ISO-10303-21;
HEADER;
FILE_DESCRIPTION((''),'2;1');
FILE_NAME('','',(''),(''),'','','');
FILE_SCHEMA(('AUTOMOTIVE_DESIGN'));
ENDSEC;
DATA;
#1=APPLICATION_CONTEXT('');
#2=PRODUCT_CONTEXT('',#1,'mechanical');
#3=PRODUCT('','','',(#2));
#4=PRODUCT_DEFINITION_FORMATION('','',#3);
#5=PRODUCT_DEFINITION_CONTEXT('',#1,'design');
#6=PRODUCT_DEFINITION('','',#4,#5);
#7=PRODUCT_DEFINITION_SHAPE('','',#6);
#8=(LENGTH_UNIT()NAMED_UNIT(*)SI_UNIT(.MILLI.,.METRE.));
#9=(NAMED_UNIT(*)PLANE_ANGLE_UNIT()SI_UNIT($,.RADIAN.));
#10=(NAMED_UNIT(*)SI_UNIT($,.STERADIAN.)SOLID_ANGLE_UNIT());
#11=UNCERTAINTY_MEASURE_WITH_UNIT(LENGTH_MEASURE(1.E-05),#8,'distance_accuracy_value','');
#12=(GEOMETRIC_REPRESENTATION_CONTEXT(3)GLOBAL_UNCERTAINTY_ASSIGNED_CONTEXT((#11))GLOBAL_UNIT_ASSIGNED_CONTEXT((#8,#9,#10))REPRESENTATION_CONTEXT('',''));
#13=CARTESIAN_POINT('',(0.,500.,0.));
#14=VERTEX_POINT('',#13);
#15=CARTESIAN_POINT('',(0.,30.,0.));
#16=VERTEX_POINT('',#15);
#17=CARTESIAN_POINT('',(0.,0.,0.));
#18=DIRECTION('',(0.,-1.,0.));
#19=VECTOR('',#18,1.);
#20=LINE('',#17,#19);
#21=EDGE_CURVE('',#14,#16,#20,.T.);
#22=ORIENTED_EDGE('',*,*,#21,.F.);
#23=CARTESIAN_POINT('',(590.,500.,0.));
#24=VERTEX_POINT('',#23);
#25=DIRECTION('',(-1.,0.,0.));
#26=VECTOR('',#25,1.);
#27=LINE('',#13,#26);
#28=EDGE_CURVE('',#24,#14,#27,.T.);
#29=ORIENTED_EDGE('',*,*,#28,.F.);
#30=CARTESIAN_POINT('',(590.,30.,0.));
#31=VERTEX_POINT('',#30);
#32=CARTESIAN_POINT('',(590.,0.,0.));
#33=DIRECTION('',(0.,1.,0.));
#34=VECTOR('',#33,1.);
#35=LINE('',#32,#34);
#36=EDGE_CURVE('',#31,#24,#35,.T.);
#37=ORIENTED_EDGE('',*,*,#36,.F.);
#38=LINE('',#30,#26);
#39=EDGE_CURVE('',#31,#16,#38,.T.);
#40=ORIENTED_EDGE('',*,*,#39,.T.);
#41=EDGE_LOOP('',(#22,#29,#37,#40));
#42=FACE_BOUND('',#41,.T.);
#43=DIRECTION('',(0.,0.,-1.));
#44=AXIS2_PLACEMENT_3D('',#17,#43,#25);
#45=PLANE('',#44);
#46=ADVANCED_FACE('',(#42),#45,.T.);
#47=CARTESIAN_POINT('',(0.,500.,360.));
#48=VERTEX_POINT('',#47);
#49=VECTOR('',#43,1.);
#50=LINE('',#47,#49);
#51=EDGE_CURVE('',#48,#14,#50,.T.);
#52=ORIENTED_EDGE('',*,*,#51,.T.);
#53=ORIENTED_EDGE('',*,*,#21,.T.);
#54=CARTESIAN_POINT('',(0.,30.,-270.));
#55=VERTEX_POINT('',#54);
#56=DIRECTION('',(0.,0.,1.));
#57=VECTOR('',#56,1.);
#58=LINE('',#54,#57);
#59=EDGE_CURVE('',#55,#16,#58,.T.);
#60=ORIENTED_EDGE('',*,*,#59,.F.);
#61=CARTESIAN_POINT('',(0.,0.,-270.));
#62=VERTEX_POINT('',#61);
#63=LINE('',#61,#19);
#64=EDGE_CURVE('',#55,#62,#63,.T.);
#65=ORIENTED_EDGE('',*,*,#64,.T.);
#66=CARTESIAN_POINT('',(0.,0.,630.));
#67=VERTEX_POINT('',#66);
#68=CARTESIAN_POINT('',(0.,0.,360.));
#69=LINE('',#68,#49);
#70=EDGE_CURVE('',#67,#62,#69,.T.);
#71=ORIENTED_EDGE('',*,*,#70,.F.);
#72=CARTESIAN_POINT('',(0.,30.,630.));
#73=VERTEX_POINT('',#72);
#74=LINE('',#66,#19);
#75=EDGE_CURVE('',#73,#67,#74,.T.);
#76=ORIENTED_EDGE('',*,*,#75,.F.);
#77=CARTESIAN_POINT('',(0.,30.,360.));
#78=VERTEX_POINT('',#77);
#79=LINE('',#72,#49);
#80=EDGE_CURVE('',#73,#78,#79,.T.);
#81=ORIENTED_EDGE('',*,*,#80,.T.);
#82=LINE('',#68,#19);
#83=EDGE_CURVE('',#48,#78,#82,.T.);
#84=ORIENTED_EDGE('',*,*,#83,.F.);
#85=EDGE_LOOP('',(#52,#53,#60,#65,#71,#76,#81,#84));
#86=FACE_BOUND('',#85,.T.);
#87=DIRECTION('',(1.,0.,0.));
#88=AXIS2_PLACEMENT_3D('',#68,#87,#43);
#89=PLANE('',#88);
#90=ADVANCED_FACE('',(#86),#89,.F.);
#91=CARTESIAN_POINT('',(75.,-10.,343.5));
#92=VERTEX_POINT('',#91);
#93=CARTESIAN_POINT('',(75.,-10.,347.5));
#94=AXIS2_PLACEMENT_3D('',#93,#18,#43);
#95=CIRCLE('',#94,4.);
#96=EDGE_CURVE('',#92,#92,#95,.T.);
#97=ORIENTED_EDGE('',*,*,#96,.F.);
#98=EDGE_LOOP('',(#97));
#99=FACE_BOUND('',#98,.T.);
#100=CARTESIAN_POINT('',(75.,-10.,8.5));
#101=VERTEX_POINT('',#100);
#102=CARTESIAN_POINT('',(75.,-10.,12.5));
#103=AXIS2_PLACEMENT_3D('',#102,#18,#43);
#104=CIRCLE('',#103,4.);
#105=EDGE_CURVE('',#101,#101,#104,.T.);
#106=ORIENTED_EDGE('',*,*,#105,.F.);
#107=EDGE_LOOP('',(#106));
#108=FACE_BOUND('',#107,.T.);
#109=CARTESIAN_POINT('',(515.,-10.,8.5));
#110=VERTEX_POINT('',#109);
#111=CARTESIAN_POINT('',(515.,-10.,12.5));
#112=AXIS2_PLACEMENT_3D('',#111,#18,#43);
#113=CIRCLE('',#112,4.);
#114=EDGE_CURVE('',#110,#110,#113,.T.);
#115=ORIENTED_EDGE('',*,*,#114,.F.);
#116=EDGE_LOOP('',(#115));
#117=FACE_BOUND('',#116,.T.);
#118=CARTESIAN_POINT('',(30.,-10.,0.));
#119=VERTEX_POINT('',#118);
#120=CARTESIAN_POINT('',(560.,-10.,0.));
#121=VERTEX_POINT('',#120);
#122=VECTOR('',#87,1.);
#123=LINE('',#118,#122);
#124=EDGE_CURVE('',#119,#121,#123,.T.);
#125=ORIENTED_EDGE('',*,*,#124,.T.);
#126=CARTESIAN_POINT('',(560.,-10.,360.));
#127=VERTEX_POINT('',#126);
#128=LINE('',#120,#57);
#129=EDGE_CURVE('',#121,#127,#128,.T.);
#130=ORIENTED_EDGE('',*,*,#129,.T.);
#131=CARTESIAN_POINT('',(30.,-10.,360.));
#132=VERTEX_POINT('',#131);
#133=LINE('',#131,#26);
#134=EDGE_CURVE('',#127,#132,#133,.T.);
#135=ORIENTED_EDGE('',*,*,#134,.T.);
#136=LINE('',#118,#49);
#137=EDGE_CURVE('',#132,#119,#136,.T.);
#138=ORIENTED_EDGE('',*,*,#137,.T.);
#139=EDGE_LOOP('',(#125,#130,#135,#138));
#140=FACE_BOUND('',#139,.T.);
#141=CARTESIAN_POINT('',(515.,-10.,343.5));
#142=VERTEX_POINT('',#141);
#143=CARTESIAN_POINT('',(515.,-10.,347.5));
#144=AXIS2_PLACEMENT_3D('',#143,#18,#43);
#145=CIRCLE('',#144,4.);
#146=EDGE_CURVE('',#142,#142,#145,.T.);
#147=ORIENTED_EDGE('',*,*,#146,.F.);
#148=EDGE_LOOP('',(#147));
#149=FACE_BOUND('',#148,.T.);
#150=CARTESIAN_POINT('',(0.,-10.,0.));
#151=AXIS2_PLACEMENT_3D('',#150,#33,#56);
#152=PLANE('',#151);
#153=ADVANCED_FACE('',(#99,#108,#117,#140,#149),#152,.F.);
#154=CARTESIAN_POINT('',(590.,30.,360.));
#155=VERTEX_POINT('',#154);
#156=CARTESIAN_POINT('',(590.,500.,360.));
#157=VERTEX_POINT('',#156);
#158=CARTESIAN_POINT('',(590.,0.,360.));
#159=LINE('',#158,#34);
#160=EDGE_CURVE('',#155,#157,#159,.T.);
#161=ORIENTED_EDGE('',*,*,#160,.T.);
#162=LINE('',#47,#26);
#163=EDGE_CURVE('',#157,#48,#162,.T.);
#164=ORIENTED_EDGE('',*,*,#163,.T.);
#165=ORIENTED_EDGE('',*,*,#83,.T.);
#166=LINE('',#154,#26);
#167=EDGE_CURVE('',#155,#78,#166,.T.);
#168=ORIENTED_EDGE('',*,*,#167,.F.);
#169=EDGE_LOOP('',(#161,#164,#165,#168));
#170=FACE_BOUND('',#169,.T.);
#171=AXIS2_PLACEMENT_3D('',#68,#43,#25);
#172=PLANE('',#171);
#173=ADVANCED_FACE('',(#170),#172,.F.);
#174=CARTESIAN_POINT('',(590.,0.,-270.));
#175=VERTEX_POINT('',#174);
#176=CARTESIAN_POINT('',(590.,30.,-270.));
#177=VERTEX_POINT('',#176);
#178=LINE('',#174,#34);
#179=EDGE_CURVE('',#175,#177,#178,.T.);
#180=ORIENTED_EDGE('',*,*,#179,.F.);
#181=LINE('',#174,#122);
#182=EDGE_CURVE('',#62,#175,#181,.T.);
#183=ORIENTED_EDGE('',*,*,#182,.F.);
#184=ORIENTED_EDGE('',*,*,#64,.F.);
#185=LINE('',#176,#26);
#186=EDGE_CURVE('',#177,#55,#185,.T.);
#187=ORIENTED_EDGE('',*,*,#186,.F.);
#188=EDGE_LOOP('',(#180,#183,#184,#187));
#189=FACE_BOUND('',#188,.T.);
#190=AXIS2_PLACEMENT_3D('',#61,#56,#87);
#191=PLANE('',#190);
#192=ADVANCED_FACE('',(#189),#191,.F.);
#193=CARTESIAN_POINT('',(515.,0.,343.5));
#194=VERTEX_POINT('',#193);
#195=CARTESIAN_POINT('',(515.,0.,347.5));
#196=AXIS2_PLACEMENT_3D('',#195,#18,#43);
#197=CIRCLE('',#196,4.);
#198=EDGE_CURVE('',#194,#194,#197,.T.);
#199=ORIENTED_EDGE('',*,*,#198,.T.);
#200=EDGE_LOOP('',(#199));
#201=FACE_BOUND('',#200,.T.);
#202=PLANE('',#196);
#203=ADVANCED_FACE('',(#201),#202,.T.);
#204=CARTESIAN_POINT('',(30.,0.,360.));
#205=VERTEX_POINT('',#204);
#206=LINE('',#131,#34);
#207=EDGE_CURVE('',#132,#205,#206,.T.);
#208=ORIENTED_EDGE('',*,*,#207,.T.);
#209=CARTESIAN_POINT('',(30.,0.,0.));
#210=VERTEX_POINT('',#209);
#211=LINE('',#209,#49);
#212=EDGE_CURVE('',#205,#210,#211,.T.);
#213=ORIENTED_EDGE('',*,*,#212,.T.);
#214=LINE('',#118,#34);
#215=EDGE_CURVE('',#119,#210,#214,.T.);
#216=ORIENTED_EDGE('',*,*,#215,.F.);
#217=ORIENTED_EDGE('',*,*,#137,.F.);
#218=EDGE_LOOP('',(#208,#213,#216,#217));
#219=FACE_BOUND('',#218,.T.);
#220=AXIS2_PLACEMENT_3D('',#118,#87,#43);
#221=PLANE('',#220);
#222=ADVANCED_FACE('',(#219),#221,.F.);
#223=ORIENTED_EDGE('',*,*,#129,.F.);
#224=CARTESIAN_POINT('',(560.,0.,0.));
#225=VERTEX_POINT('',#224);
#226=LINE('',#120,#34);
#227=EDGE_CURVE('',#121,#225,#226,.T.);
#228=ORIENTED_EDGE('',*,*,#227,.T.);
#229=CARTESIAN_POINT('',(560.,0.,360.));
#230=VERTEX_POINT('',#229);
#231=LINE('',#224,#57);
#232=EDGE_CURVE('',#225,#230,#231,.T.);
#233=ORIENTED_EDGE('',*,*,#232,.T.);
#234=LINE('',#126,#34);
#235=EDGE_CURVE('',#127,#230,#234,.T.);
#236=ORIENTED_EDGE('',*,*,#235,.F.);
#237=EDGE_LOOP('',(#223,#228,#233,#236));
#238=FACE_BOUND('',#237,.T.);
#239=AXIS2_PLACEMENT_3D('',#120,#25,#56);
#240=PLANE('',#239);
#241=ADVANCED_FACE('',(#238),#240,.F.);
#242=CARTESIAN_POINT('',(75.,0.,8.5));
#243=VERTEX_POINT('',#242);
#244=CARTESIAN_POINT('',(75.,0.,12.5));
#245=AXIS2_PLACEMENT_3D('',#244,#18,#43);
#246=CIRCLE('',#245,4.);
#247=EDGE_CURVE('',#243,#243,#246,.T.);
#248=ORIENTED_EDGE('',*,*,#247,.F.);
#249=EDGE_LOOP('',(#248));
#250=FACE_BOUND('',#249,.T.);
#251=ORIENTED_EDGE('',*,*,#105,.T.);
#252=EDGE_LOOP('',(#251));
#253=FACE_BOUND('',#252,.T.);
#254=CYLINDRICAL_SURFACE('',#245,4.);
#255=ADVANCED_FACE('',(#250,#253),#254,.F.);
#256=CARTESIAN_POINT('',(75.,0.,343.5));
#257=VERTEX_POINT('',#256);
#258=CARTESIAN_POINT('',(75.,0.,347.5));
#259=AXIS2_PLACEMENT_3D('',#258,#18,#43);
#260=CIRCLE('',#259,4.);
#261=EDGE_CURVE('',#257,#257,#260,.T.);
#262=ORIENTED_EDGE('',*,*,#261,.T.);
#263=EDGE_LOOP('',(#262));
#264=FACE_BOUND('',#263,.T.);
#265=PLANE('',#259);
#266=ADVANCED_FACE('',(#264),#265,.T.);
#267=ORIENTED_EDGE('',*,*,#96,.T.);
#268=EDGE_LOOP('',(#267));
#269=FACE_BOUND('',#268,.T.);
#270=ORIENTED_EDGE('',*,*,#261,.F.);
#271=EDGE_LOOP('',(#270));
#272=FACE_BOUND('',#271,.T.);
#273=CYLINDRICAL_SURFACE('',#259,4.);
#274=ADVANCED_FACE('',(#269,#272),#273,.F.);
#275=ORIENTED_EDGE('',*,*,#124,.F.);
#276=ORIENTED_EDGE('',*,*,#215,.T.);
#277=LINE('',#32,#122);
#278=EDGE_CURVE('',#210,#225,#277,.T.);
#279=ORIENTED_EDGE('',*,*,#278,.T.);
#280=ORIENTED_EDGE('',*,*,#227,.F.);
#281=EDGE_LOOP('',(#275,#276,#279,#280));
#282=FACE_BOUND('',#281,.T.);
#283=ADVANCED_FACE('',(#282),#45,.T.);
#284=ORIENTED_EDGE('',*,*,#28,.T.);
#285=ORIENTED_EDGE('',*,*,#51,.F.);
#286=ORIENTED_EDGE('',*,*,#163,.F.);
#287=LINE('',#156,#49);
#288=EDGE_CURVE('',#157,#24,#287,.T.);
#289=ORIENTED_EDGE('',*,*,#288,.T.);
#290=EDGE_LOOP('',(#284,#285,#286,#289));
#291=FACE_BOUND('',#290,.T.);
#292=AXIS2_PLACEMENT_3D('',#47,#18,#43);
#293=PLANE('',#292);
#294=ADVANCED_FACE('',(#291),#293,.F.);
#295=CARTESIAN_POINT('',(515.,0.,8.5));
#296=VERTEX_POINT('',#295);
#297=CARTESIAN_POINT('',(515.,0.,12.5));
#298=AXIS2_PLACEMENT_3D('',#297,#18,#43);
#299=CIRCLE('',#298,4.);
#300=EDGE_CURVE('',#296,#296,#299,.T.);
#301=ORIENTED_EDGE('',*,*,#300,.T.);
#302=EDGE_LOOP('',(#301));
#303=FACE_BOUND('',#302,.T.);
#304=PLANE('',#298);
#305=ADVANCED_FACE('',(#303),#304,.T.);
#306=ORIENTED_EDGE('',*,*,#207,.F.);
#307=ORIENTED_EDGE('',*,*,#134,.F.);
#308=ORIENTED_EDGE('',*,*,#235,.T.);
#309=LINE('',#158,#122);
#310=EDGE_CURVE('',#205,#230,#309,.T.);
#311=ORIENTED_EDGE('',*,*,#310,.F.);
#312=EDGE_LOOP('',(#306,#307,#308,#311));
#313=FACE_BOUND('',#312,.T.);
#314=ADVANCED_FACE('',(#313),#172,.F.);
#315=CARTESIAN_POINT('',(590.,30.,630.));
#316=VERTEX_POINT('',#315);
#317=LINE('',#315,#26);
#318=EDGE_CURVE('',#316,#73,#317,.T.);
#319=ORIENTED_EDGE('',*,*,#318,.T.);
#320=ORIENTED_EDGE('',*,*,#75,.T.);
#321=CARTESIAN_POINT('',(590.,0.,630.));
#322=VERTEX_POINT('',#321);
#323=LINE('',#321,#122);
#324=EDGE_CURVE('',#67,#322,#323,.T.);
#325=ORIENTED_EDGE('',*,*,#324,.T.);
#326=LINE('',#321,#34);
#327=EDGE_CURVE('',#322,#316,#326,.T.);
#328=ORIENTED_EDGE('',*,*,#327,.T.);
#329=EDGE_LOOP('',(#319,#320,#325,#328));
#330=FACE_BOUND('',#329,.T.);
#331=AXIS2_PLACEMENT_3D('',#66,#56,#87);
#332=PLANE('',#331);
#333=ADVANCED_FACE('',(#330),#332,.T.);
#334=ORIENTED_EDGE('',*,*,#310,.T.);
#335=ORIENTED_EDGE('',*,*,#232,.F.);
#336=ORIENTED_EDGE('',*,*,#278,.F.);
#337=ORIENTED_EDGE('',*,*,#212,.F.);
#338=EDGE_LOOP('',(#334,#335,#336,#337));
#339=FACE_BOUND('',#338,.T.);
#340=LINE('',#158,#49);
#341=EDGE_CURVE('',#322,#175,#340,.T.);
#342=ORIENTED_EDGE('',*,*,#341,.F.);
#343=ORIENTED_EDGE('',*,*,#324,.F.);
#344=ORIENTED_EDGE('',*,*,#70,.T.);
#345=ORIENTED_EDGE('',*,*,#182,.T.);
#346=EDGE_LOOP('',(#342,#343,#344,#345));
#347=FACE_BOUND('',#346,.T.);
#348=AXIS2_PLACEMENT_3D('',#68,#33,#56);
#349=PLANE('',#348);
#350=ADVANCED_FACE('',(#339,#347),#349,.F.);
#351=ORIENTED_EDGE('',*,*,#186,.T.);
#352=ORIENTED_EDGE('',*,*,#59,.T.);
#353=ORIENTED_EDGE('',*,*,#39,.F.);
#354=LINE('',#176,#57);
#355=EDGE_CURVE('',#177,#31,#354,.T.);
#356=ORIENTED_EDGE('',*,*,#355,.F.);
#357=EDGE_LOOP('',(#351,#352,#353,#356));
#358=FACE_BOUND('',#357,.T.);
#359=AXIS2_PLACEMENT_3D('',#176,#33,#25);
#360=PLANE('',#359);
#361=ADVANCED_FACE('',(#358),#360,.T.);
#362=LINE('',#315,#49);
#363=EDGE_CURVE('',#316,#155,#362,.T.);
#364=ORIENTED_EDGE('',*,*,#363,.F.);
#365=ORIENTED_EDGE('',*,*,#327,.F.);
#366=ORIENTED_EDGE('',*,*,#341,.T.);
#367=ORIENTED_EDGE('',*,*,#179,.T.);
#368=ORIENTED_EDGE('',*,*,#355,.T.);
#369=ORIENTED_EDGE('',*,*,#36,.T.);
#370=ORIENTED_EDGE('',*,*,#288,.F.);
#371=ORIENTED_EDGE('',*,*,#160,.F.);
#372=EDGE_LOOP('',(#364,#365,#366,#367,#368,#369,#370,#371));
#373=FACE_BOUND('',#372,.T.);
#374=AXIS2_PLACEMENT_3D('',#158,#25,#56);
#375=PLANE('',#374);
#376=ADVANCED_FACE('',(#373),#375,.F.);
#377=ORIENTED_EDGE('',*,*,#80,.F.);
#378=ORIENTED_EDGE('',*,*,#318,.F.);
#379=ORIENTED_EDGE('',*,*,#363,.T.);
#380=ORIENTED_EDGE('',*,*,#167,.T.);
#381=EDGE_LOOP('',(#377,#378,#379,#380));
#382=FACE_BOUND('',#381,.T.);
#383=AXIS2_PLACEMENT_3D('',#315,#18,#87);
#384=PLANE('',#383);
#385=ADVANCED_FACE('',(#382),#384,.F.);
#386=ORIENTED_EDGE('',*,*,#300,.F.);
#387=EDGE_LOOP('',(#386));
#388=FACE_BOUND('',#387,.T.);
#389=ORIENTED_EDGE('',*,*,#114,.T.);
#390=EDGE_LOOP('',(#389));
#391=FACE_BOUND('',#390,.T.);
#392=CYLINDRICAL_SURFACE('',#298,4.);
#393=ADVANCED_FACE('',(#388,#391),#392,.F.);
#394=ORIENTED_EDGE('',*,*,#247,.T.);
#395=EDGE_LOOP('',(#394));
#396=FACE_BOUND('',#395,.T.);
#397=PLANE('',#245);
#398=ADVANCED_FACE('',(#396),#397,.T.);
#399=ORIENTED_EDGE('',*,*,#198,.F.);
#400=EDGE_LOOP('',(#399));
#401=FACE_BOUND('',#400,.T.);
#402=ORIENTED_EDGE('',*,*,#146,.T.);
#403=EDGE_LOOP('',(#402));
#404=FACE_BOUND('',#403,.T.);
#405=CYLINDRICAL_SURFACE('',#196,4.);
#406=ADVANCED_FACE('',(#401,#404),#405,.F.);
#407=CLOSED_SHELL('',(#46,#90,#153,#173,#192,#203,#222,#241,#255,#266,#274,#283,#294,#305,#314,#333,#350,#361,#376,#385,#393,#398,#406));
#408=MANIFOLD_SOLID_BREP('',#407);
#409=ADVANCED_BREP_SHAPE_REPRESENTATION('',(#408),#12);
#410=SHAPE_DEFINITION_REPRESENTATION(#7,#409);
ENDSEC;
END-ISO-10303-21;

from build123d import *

# Parameters (mm, degrees)
ESQUISSE1_W             = 590
ESQUISSE1_H             = 500
BOSS_EXTRU_1_DEPTH      = 360
ESQUISSE2_W             = 530
ESQUISSE2_H             = 360
BOSS_EXTRU_2_DEPTH      = 10
ESQUISSE3_R             = 4
ENL_V_MAT_EXTRU_1_DEPTH = 10
ESQUISSE4_W             = 590
ESQUISSE4_H             = 30
BOSS_EXTRU_3_DEPTH      = 270
BOSS_EXTRU_4_START      = -360
ESQUISSE4_2_W           = 590
ESQUISSE4_2_H           = 30
BOSS_EXTRU_4_DEPTH      = 270


with BuildPart() as part:
    # Esquisse1 → Boss.-Extru.1 (new body)
    with BuildSketch(Plane.XY):
        with Locations((295, 250)):
            Rectangle(ESQUISSE1_W, ESQUISSE1_H)
    extrude(amount=BOSS_EXTRU_1_DEPTH)

    # Esquisse2 → Boss.-Extru.2 (add)
    with BuildSketch(Plane.XZ):
        with Locations((295, 180)):
            Rectangle(ESQUISSE2_W, ESQUISSE2_H)
    extrude(amount=BOSS_EXTRU_2_DEPTH)

    # Esquisse3 → Enlèv. mat.-Extru.1 (cut)
    with BuildSketch(Plane.XZ.offset(10)):
        with Locations(Location((75, 12.5, 0), (0, 0, 270))):
            Circle(ESQUISSE3_R)
        with Locations(Location((515, 12.5, 0), (0, 0, 270))):
            Circle(ESQUISSE3_R)
        with Locations(Location((515, 347.5, 0), (0, 0, 270))):
            Circle(ESQUISSE3_R)
        with Locations(Location((75, 347.5, 0), (0, 0, 270))):
            Circle(ESQUISSE3_R)
    extrude(amount=-ENL_V_MAT_EXTRU_1_DEPTH, mode=Mode.SUBTRACT)

    # Esquisse4 → Boss.-Extru.3 (add)
    with BuildSketch(Plane.XY.offset(360)):
        with Locations((295, 15)):
            Rectangle(ESQUISSE4_W, ESQUISSE4_H)
    extrude(amount=BOSS_EXTRU_3_DEPTH)

    # Esquisse4<2> → Boss.-Extru.4 (add)
    with BuildSketch(Plane.XY.offset(360).offset(BOSS_EXTRU_4_START)):
        with Locations((295, 15)):
            Rectangle(ESQUISSE4_2_W, ESQUISSE4_2_H)
    extrude(amount=-BOSS_EXTRU_4_DEPTH)


solid = part.part
